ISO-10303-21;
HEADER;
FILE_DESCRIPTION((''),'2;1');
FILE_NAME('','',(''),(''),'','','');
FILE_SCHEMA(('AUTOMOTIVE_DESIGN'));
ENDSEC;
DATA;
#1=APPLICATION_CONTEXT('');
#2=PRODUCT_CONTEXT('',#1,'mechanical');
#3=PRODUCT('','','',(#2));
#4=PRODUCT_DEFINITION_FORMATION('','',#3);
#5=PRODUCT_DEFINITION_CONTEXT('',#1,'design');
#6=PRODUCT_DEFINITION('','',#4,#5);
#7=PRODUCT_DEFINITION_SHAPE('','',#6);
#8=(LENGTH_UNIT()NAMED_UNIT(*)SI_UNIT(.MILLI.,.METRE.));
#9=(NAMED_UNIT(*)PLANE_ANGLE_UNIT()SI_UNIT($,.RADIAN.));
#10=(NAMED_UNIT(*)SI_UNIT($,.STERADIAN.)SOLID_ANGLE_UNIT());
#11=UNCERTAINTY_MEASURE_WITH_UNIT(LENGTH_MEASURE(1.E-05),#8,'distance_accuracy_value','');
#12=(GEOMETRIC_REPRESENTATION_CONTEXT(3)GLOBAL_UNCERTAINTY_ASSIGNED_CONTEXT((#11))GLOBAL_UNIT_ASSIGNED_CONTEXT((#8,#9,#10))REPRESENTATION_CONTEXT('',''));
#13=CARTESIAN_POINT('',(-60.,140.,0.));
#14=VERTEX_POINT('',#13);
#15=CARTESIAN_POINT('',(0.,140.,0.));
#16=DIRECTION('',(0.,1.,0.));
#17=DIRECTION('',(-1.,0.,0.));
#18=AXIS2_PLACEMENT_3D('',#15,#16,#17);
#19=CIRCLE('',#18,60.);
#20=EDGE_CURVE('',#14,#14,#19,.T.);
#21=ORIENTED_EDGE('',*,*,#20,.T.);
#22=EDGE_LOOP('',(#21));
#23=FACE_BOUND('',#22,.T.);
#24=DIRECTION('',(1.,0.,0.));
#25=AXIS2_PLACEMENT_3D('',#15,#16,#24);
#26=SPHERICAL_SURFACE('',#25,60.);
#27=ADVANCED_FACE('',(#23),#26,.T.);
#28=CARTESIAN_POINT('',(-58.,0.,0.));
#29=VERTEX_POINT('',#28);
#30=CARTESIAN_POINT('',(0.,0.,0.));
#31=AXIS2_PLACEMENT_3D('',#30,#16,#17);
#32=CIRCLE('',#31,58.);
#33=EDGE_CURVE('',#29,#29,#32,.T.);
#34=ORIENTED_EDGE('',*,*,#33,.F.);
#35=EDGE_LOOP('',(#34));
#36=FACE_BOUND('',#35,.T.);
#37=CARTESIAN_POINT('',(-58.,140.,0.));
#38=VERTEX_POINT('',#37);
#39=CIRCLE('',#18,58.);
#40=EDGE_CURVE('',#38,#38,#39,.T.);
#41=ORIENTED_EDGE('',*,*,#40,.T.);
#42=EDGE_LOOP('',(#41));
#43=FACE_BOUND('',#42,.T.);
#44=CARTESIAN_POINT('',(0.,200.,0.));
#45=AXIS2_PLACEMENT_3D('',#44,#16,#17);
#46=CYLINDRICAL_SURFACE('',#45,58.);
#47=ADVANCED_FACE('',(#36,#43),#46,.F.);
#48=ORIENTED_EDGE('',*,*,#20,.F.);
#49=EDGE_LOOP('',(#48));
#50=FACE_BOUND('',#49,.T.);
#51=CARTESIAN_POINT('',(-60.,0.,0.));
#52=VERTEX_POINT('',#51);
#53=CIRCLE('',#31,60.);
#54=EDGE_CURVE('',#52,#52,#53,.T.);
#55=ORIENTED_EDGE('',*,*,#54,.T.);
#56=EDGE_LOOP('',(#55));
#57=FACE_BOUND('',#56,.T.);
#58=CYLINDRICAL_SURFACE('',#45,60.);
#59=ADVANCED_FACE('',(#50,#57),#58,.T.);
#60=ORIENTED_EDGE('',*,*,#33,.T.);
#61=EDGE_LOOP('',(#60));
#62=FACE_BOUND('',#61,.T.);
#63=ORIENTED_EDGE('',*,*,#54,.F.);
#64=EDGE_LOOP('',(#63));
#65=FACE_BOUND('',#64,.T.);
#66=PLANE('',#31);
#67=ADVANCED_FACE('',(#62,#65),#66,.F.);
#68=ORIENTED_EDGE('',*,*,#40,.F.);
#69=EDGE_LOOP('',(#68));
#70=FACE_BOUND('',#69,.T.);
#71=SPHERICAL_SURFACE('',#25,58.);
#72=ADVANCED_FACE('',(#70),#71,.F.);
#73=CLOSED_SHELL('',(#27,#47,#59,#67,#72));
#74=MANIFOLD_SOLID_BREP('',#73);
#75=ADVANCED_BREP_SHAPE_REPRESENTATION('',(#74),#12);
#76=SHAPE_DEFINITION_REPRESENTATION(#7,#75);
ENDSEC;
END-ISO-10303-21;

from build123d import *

# Parameters (mm, degrees)
SHELL3_T = -2


with BuildPart() as part:
    # Sketch1 → Revolve2 (revolve)
    with BuildSketch(Plane.XY, mode=Mode.PRIVATE) as revolve2_sk:
        with BuildLine():
            Line((0, 0), (60, 0))
            Line((60, 0), (60, 140))
            ThreePointArc((60, 140), (42.426406871, 182.426406871), (0, 200))
            Line((0, 200), (0, 0))
        make_face()
    revolve(revolve2_sk.sketch.rotate(Axis((0, 200, 0), (0, -1, 0)), 180), axis=Axis((0, 200, 0), (0, -1, 0)))

    # Shell3
    shell3_openings = [part.faces().sort_by_distance(p)[0] for p in [
        (0, 0, 0),
    ]]
    offset(amount=SHELL3_T, openings=shell3_openings, kind=Kind.INTERSECTION)


solid = part.part
